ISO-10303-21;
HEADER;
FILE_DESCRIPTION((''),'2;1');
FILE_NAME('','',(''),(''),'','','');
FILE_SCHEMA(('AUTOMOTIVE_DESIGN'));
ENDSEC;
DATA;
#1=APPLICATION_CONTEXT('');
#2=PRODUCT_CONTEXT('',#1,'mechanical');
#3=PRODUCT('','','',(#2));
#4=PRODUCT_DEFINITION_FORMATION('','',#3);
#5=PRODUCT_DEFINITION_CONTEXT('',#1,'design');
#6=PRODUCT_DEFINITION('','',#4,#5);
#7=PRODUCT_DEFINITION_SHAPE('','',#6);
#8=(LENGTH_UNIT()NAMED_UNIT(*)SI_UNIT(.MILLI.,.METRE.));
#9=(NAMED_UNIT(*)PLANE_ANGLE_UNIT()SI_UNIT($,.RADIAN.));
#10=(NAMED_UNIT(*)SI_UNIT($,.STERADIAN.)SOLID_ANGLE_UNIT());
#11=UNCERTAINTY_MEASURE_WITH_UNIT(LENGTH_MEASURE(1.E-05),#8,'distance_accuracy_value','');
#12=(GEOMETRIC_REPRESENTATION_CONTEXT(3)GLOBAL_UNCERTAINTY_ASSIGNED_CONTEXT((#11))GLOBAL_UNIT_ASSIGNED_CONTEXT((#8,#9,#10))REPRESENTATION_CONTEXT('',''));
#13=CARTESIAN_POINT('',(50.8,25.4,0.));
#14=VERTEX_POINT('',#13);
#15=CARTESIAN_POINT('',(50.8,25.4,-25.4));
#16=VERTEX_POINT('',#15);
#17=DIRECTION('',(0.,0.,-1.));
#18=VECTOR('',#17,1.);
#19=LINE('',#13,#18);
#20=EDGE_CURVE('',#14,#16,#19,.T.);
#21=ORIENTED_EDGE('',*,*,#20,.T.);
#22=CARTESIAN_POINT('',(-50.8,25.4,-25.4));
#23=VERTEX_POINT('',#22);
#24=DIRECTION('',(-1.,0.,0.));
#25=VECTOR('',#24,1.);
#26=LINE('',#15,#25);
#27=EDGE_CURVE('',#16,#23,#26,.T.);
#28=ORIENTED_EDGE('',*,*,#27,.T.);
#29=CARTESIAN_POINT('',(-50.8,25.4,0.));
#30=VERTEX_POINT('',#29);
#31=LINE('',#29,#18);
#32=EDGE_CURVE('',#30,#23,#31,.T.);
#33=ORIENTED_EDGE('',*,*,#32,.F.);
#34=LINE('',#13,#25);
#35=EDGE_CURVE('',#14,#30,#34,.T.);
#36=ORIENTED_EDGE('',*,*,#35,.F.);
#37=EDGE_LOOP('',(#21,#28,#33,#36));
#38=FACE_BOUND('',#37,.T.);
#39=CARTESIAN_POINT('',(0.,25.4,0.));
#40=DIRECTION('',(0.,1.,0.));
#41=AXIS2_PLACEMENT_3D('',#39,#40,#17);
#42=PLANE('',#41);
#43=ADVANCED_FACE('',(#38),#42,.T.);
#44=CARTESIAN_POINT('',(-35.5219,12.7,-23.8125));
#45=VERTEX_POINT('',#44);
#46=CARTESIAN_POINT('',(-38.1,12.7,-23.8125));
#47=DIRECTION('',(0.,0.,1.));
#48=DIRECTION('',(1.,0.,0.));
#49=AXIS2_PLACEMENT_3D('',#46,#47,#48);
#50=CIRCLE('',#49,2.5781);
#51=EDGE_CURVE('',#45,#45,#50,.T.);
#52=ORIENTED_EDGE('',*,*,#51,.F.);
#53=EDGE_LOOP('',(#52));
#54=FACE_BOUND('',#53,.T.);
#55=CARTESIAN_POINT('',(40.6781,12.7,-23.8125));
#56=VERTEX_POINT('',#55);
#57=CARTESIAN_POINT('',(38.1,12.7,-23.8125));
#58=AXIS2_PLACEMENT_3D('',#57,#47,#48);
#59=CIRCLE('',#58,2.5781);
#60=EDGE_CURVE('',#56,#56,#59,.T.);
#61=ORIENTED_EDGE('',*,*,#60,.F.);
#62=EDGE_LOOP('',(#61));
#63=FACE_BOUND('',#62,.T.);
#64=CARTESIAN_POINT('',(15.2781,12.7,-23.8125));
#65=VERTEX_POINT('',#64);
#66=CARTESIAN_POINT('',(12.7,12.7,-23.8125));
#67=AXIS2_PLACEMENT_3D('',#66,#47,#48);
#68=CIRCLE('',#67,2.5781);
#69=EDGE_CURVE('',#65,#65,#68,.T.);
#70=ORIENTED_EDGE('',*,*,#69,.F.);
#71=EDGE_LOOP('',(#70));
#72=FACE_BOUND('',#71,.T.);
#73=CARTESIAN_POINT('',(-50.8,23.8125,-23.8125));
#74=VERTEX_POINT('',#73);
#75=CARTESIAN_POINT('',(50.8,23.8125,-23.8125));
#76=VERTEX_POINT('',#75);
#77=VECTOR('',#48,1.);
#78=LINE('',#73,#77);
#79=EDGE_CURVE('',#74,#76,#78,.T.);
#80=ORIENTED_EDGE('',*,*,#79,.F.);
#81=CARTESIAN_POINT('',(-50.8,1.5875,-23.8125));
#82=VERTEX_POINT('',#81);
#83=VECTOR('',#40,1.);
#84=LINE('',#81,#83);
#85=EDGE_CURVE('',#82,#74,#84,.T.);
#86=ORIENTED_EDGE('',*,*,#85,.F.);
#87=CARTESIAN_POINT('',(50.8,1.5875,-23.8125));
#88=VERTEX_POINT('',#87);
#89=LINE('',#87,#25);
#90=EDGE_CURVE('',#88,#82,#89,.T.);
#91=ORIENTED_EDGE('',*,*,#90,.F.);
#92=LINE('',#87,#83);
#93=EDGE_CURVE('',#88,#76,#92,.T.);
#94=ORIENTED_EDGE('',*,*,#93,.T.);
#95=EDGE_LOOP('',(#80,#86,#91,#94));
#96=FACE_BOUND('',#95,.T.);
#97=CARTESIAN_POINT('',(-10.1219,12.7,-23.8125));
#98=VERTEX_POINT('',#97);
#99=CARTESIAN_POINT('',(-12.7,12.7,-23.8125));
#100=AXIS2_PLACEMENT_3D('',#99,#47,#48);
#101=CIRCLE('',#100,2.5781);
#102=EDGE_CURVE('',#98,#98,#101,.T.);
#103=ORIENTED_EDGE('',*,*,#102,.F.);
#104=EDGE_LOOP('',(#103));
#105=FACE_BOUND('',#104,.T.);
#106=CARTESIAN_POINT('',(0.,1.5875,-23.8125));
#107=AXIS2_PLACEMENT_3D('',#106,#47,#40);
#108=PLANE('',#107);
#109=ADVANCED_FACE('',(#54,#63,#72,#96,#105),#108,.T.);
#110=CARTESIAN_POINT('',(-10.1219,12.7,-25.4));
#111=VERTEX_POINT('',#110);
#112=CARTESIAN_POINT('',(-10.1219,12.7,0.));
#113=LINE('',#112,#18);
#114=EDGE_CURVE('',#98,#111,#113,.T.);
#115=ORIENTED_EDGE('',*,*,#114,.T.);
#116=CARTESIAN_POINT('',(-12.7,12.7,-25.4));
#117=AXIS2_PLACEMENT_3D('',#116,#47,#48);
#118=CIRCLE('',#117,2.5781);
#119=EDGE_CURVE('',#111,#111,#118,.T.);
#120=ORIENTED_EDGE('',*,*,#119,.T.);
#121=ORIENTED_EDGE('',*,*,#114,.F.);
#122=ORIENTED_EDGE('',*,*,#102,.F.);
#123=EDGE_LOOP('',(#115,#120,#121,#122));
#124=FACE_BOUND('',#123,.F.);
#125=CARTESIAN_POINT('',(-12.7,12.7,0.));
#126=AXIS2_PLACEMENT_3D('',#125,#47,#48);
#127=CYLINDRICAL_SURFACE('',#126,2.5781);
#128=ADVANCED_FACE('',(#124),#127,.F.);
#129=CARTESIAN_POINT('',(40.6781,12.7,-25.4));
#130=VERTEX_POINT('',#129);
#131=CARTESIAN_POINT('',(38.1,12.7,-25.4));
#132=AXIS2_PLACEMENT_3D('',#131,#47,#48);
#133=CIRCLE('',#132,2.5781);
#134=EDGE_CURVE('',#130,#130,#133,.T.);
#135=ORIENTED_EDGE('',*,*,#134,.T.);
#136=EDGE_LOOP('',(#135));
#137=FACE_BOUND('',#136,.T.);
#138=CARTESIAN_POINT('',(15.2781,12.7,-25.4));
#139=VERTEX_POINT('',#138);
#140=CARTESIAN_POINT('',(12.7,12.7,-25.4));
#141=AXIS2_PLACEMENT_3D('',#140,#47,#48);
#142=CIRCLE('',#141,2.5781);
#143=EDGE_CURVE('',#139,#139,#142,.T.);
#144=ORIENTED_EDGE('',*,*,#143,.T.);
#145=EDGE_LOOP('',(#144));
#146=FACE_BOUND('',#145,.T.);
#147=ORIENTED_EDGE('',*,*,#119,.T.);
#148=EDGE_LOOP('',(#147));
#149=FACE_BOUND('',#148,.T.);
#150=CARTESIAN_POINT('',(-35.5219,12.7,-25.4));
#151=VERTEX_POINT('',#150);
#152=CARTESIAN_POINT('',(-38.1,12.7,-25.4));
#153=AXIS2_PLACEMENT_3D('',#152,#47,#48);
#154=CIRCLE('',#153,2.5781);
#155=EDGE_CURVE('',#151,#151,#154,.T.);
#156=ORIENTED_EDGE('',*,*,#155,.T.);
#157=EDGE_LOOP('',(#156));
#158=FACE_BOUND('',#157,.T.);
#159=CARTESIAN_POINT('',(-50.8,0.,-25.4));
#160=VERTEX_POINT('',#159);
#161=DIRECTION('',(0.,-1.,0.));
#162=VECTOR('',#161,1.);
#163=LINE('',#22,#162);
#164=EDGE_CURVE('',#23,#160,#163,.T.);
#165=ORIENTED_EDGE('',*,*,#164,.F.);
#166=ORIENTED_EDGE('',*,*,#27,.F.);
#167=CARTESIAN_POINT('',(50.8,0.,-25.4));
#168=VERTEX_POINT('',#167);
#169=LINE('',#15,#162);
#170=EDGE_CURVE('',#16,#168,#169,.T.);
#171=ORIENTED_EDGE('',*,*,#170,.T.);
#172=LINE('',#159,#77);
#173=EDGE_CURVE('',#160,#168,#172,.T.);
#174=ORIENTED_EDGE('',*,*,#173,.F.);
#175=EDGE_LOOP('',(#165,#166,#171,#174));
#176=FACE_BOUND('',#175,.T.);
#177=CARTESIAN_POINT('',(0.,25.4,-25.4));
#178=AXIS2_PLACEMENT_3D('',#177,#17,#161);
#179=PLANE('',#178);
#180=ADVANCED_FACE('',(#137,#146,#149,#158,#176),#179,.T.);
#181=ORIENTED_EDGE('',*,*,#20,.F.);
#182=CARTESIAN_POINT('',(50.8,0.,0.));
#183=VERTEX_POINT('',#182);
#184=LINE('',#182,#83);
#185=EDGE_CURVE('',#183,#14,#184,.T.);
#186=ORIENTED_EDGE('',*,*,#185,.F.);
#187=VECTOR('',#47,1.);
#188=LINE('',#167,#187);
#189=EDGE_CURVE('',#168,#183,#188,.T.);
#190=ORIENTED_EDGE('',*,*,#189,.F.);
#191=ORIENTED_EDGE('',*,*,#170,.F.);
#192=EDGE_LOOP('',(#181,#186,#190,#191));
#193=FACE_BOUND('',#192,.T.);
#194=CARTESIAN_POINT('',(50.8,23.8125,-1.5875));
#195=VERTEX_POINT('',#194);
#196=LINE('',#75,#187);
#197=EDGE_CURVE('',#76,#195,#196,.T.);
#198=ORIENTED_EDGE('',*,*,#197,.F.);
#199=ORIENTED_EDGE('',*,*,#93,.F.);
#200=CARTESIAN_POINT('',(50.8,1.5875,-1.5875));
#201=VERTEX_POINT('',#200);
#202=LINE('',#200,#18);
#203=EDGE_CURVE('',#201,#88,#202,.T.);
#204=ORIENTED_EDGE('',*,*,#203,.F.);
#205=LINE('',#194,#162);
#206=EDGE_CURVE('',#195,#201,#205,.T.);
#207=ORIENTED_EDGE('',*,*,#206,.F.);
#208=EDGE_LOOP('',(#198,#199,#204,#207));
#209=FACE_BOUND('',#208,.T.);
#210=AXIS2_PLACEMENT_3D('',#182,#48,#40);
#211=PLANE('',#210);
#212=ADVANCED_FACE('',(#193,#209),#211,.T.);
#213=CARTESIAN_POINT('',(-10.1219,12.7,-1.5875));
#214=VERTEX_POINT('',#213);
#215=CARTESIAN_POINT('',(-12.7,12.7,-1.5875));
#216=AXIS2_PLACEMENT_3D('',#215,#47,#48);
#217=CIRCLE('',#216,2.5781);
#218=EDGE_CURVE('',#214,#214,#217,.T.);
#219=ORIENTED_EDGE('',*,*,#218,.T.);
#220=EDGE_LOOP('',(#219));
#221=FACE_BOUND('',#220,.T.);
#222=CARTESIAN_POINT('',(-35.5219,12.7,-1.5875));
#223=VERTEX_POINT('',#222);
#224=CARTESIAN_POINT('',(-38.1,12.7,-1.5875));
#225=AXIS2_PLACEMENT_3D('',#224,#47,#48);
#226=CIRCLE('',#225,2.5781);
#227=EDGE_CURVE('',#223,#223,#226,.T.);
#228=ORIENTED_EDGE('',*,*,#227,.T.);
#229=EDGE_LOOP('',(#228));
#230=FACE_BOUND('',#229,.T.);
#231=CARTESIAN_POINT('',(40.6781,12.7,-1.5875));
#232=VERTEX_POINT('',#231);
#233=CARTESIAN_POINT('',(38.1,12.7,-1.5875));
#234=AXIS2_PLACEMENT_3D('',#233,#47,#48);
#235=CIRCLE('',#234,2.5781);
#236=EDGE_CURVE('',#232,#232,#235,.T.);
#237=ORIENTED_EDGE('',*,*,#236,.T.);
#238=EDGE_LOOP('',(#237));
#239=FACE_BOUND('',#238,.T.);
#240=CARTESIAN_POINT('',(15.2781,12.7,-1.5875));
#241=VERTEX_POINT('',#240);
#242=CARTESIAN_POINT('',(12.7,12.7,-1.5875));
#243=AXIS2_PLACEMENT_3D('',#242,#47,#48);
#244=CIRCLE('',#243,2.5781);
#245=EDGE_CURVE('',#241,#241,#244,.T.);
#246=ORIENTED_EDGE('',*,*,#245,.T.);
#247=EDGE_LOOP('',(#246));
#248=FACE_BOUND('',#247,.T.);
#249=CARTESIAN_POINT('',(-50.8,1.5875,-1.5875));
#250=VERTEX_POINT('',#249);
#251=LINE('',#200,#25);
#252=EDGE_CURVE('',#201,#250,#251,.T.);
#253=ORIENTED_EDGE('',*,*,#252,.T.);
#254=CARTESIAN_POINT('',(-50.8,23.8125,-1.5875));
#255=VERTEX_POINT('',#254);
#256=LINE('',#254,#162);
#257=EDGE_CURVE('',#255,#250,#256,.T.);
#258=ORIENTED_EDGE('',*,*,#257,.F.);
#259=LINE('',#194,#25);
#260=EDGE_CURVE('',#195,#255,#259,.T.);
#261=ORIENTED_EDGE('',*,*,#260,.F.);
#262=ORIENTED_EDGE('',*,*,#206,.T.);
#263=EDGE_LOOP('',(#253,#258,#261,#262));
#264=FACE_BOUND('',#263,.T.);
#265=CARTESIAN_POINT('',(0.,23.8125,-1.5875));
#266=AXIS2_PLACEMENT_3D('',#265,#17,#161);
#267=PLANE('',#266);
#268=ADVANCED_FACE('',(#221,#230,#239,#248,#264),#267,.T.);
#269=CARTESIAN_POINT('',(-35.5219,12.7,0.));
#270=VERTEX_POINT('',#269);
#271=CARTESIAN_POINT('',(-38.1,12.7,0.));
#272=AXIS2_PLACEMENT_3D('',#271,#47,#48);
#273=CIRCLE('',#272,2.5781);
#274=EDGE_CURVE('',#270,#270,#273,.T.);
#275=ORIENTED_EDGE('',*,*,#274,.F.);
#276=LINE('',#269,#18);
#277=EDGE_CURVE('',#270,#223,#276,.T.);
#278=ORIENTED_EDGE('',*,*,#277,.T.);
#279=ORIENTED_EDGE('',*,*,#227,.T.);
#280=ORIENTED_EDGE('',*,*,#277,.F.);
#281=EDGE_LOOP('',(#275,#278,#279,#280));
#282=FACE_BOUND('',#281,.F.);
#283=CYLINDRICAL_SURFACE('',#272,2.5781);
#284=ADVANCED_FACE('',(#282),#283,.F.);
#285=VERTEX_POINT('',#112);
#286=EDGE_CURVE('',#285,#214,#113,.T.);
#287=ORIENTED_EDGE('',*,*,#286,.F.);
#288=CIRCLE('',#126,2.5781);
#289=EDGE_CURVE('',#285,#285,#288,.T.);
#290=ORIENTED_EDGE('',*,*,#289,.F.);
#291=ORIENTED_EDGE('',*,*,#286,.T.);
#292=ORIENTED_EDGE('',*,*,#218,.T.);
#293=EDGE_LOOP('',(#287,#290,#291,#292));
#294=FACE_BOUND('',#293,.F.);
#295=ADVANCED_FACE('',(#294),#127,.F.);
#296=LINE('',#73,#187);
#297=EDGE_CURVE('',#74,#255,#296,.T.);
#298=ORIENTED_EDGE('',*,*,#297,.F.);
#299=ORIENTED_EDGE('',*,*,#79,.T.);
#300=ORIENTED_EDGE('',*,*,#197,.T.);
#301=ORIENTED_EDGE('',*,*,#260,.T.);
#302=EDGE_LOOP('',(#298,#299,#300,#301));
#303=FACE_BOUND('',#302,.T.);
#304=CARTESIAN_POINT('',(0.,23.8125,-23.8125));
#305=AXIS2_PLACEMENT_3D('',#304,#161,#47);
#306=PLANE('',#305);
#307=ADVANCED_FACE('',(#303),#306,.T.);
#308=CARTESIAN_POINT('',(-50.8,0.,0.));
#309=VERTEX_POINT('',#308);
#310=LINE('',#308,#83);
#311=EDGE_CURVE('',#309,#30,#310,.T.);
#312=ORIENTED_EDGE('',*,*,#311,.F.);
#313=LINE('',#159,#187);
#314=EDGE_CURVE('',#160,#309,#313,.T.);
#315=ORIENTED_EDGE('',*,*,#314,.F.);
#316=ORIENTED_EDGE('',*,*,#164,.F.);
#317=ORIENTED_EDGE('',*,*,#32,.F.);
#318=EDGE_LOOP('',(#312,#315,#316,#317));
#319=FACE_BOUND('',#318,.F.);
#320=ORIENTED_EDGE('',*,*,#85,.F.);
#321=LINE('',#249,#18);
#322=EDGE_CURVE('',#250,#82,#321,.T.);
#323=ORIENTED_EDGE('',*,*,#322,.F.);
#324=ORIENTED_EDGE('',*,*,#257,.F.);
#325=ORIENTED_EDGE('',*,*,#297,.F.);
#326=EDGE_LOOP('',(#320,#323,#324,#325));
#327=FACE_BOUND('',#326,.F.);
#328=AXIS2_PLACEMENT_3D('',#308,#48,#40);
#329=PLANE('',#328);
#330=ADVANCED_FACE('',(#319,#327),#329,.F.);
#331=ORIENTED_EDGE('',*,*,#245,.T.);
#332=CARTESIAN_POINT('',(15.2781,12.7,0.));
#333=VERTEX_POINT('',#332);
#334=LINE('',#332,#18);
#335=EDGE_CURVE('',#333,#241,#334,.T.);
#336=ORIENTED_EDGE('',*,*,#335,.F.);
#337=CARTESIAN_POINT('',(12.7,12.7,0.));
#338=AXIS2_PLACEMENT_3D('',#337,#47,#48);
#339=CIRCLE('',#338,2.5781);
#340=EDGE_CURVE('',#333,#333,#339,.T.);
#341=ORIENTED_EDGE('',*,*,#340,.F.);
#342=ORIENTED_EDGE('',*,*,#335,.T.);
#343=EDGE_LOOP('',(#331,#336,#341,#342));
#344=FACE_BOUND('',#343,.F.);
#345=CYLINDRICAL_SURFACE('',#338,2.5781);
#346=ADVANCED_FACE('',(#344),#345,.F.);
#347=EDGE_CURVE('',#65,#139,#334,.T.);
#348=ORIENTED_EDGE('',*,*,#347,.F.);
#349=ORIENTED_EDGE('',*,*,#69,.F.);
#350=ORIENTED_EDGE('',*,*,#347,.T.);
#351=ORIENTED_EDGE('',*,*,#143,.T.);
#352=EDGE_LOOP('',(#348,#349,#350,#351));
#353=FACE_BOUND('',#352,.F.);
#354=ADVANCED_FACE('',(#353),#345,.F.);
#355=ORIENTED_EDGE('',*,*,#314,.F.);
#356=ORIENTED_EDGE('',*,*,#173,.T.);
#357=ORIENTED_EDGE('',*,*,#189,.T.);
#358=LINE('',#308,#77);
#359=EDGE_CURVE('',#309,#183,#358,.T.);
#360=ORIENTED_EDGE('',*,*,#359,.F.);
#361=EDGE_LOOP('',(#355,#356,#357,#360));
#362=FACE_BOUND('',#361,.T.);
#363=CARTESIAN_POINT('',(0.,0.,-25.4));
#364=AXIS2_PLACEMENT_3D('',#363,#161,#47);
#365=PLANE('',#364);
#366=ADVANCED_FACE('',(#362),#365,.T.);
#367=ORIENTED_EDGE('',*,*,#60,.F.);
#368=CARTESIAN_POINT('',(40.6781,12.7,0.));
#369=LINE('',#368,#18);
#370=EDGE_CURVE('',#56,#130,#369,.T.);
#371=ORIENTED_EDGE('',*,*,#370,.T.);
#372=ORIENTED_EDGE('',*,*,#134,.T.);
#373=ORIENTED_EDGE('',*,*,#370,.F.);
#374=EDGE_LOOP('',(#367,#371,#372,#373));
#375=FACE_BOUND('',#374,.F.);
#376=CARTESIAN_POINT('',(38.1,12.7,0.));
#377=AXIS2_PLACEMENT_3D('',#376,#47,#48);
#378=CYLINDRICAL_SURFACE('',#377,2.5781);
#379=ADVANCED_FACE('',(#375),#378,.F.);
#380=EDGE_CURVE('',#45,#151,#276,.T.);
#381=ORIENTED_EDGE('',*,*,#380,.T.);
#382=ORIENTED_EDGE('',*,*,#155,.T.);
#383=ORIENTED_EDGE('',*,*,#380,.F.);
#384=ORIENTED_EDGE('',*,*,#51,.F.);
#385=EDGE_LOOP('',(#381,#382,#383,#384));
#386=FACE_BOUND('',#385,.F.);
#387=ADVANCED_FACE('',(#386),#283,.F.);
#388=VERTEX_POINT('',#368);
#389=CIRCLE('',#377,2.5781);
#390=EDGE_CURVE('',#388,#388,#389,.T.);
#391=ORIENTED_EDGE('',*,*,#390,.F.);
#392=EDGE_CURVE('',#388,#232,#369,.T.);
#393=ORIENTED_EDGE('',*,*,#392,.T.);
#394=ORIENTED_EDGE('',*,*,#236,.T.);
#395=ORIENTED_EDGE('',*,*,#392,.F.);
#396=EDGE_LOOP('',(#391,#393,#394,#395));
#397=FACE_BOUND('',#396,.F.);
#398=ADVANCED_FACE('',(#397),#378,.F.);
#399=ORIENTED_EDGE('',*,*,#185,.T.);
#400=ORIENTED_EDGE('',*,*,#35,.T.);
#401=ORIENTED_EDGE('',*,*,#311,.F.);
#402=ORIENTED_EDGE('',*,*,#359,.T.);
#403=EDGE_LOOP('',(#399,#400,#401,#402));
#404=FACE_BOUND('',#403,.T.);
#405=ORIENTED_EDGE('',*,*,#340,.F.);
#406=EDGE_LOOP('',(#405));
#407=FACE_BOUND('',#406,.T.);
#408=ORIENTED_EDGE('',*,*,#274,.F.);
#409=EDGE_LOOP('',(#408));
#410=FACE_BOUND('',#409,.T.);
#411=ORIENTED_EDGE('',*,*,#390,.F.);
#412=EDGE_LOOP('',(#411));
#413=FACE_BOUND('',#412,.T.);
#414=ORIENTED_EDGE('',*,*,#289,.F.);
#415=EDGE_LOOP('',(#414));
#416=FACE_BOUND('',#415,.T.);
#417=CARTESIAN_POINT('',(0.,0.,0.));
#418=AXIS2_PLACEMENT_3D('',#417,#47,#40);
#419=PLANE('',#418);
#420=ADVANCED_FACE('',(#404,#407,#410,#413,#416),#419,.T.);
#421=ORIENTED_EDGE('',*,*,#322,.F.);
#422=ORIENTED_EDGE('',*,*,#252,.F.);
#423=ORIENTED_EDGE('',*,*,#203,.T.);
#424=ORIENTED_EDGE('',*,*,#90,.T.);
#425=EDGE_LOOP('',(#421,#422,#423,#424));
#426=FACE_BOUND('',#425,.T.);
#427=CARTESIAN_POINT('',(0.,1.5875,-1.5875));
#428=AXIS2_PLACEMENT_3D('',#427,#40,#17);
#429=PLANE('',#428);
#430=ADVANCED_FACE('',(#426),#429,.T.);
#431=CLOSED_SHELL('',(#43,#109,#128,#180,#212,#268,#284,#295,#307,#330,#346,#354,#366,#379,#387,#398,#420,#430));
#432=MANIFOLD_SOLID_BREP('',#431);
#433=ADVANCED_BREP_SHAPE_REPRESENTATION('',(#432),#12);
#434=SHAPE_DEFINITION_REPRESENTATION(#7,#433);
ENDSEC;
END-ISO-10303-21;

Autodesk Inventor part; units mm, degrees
ref_plane "YZ Plane" through (0, 0, 0) normal (1, 0, 0) x (0, 1, 0)
ref_plane "XZ Plane" through (0, 0, 0) normal (0, 1, 0) x (-1, 0, 0)
ref_plane "XY Plane" through (0, 0, 0) normal (0, 0, 1) x (1, 0, 0)
sketch "Sketch1" plane through (0, 0, 0) normal (1, 0, 0) x (0, 1, 0)
  line L0 (0, 0) -> (25.4, 0)
  line L1 (25.4, 0) -> (25.4, -25.4)
  line L2 (25.4, -25.4) -> (0, -25.4)
  line L3 (0, -25.4) -> (0, 0)
  line L4 (23.8125, -23.8125) -> (23.8125, -1.5875)
  line L5 (23.8125, -1.5875) -> (1.5875, -1.5875)
  line L6 (1.5875, -1.5875) -> (1.5875, -23.8125)
  line L7 (1.5875, -23.8125) -> (23.8125, -23.8125)
  dimension "d0" = 25.4
  dimension "d1" = 25.4
  dimension "d2" = 1.5875
extrude "Extrusion1" add sketch "Sketch1" along normal mid plane 101.6
sketch "Sketch3" plane through (-50.8, 0, 0) normal (0, 0, 1) x (1, 0, 0)
  line L0 (0, 0) -> (101.6, 0) projected
  line L1 (101.6, 25.4) -> (101.6, 0) projected
  line L2 (0, 25.4) -> (101.6, 25.4) projected
  line L3 (0, 0) -> (0, 25.4) projected
  circle A0 centre (38.1, 12.7) radius 2.5781
  circle A1 centre (63.5, 12.7) radius 2.5781
  line L4 (50.8, 25.4) -> (50.8, 0) construction
  circle A2 centre (12.7, 12.7) radius 2.5781
  circle A3 centre (88.9, 12.7) radius 2.5781
  dimension "d14" = 5.1562
  dimension "d15" = 5.1562
  dimension "d16" = 12.7
  dimension "d17" = 25.4
  dimension "d20" = 12.7
  dimension "d21" = 25.4
  dimension "d22" = 25.4
extrude "Extrusion3" cut sketch "Sketch3" against normal blind 25.4 contours A0 | A1 | A2 | A3
properties part number "1inTubeBase"
